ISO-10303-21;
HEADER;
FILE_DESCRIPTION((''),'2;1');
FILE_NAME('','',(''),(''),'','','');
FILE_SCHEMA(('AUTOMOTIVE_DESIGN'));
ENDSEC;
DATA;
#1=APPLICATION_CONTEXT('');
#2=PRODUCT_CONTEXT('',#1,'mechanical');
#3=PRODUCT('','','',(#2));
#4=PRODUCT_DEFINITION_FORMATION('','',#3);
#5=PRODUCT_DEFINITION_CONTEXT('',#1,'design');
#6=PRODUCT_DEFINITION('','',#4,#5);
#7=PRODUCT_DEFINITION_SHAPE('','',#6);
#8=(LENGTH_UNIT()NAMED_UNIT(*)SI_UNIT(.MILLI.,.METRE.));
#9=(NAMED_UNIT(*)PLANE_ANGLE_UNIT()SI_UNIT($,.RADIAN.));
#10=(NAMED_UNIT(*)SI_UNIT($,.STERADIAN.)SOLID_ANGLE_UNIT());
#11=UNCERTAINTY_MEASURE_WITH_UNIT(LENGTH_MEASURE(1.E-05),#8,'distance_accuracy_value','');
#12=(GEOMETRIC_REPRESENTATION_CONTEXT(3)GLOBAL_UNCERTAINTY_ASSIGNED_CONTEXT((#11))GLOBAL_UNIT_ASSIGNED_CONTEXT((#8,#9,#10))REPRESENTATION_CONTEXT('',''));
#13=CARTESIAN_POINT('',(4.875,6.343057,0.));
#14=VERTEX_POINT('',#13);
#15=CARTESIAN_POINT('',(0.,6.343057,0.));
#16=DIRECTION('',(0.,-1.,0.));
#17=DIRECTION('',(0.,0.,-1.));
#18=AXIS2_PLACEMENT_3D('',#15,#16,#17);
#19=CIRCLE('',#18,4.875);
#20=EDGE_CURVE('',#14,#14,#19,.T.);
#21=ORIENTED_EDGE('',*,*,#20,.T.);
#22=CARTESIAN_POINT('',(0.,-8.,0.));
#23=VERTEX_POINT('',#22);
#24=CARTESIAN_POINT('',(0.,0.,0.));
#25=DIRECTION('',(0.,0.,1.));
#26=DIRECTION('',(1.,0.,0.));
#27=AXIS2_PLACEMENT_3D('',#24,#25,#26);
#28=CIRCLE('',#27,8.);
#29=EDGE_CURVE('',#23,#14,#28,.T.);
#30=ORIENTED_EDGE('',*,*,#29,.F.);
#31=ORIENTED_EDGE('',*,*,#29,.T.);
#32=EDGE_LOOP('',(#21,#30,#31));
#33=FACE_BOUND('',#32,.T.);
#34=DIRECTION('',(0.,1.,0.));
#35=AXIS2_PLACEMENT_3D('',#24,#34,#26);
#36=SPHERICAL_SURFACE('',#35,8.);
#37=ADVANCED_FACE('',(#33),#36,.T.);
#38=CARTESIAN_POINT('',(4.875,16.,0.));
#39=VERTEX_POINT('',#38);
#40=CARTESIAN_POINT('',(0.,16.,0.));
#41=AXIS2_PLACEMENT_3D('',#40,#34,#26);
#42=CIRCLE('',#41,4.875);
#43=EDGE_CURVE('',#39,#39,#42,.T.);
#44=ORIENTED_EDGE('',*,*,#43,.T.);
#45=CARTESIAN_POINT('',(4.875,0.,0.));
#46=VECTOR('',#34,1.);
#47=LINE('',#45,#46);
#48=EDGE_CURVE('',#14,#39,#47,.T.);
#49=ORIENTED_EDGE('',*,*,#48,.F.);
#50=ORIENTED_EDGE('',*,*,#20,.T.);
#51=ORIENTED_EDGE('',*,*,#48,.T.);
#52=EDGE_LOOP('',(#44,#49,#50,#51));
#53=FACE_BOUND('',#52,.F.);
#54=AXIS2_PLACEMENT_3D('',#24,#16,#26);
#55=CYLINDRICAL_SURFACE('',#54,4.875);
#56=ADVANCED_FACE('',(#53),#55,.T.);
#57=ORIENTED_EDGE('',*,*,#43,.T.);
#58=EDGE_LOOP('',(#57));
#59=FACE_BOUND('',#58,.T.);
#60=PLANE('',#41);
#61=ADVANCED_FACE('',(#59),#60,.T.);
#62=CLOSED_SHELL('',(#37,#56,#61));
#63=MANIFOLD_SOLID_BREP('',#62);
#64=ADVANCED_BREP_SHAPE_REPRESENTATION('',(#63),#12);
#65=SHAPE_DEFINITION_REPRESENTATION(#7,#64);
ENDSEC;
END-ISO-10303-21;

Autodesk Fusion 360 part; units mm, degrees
sphere "SpherePrimitive1" add diameter 16 placed x (1, 0, 0) y (0, 0, -1) z (0, 1, 0) at (0, 0, 0)
sketch "Sketch2" plane through (0, 0, 0) normal (0, 1, 0) x (1, 0, 0)
  circle A0 centre (0, 0) radius 4.875
  dimension "d2" = 9.75
extrude "Extrude1" add sketch "Sketch2" along normal blind 16
